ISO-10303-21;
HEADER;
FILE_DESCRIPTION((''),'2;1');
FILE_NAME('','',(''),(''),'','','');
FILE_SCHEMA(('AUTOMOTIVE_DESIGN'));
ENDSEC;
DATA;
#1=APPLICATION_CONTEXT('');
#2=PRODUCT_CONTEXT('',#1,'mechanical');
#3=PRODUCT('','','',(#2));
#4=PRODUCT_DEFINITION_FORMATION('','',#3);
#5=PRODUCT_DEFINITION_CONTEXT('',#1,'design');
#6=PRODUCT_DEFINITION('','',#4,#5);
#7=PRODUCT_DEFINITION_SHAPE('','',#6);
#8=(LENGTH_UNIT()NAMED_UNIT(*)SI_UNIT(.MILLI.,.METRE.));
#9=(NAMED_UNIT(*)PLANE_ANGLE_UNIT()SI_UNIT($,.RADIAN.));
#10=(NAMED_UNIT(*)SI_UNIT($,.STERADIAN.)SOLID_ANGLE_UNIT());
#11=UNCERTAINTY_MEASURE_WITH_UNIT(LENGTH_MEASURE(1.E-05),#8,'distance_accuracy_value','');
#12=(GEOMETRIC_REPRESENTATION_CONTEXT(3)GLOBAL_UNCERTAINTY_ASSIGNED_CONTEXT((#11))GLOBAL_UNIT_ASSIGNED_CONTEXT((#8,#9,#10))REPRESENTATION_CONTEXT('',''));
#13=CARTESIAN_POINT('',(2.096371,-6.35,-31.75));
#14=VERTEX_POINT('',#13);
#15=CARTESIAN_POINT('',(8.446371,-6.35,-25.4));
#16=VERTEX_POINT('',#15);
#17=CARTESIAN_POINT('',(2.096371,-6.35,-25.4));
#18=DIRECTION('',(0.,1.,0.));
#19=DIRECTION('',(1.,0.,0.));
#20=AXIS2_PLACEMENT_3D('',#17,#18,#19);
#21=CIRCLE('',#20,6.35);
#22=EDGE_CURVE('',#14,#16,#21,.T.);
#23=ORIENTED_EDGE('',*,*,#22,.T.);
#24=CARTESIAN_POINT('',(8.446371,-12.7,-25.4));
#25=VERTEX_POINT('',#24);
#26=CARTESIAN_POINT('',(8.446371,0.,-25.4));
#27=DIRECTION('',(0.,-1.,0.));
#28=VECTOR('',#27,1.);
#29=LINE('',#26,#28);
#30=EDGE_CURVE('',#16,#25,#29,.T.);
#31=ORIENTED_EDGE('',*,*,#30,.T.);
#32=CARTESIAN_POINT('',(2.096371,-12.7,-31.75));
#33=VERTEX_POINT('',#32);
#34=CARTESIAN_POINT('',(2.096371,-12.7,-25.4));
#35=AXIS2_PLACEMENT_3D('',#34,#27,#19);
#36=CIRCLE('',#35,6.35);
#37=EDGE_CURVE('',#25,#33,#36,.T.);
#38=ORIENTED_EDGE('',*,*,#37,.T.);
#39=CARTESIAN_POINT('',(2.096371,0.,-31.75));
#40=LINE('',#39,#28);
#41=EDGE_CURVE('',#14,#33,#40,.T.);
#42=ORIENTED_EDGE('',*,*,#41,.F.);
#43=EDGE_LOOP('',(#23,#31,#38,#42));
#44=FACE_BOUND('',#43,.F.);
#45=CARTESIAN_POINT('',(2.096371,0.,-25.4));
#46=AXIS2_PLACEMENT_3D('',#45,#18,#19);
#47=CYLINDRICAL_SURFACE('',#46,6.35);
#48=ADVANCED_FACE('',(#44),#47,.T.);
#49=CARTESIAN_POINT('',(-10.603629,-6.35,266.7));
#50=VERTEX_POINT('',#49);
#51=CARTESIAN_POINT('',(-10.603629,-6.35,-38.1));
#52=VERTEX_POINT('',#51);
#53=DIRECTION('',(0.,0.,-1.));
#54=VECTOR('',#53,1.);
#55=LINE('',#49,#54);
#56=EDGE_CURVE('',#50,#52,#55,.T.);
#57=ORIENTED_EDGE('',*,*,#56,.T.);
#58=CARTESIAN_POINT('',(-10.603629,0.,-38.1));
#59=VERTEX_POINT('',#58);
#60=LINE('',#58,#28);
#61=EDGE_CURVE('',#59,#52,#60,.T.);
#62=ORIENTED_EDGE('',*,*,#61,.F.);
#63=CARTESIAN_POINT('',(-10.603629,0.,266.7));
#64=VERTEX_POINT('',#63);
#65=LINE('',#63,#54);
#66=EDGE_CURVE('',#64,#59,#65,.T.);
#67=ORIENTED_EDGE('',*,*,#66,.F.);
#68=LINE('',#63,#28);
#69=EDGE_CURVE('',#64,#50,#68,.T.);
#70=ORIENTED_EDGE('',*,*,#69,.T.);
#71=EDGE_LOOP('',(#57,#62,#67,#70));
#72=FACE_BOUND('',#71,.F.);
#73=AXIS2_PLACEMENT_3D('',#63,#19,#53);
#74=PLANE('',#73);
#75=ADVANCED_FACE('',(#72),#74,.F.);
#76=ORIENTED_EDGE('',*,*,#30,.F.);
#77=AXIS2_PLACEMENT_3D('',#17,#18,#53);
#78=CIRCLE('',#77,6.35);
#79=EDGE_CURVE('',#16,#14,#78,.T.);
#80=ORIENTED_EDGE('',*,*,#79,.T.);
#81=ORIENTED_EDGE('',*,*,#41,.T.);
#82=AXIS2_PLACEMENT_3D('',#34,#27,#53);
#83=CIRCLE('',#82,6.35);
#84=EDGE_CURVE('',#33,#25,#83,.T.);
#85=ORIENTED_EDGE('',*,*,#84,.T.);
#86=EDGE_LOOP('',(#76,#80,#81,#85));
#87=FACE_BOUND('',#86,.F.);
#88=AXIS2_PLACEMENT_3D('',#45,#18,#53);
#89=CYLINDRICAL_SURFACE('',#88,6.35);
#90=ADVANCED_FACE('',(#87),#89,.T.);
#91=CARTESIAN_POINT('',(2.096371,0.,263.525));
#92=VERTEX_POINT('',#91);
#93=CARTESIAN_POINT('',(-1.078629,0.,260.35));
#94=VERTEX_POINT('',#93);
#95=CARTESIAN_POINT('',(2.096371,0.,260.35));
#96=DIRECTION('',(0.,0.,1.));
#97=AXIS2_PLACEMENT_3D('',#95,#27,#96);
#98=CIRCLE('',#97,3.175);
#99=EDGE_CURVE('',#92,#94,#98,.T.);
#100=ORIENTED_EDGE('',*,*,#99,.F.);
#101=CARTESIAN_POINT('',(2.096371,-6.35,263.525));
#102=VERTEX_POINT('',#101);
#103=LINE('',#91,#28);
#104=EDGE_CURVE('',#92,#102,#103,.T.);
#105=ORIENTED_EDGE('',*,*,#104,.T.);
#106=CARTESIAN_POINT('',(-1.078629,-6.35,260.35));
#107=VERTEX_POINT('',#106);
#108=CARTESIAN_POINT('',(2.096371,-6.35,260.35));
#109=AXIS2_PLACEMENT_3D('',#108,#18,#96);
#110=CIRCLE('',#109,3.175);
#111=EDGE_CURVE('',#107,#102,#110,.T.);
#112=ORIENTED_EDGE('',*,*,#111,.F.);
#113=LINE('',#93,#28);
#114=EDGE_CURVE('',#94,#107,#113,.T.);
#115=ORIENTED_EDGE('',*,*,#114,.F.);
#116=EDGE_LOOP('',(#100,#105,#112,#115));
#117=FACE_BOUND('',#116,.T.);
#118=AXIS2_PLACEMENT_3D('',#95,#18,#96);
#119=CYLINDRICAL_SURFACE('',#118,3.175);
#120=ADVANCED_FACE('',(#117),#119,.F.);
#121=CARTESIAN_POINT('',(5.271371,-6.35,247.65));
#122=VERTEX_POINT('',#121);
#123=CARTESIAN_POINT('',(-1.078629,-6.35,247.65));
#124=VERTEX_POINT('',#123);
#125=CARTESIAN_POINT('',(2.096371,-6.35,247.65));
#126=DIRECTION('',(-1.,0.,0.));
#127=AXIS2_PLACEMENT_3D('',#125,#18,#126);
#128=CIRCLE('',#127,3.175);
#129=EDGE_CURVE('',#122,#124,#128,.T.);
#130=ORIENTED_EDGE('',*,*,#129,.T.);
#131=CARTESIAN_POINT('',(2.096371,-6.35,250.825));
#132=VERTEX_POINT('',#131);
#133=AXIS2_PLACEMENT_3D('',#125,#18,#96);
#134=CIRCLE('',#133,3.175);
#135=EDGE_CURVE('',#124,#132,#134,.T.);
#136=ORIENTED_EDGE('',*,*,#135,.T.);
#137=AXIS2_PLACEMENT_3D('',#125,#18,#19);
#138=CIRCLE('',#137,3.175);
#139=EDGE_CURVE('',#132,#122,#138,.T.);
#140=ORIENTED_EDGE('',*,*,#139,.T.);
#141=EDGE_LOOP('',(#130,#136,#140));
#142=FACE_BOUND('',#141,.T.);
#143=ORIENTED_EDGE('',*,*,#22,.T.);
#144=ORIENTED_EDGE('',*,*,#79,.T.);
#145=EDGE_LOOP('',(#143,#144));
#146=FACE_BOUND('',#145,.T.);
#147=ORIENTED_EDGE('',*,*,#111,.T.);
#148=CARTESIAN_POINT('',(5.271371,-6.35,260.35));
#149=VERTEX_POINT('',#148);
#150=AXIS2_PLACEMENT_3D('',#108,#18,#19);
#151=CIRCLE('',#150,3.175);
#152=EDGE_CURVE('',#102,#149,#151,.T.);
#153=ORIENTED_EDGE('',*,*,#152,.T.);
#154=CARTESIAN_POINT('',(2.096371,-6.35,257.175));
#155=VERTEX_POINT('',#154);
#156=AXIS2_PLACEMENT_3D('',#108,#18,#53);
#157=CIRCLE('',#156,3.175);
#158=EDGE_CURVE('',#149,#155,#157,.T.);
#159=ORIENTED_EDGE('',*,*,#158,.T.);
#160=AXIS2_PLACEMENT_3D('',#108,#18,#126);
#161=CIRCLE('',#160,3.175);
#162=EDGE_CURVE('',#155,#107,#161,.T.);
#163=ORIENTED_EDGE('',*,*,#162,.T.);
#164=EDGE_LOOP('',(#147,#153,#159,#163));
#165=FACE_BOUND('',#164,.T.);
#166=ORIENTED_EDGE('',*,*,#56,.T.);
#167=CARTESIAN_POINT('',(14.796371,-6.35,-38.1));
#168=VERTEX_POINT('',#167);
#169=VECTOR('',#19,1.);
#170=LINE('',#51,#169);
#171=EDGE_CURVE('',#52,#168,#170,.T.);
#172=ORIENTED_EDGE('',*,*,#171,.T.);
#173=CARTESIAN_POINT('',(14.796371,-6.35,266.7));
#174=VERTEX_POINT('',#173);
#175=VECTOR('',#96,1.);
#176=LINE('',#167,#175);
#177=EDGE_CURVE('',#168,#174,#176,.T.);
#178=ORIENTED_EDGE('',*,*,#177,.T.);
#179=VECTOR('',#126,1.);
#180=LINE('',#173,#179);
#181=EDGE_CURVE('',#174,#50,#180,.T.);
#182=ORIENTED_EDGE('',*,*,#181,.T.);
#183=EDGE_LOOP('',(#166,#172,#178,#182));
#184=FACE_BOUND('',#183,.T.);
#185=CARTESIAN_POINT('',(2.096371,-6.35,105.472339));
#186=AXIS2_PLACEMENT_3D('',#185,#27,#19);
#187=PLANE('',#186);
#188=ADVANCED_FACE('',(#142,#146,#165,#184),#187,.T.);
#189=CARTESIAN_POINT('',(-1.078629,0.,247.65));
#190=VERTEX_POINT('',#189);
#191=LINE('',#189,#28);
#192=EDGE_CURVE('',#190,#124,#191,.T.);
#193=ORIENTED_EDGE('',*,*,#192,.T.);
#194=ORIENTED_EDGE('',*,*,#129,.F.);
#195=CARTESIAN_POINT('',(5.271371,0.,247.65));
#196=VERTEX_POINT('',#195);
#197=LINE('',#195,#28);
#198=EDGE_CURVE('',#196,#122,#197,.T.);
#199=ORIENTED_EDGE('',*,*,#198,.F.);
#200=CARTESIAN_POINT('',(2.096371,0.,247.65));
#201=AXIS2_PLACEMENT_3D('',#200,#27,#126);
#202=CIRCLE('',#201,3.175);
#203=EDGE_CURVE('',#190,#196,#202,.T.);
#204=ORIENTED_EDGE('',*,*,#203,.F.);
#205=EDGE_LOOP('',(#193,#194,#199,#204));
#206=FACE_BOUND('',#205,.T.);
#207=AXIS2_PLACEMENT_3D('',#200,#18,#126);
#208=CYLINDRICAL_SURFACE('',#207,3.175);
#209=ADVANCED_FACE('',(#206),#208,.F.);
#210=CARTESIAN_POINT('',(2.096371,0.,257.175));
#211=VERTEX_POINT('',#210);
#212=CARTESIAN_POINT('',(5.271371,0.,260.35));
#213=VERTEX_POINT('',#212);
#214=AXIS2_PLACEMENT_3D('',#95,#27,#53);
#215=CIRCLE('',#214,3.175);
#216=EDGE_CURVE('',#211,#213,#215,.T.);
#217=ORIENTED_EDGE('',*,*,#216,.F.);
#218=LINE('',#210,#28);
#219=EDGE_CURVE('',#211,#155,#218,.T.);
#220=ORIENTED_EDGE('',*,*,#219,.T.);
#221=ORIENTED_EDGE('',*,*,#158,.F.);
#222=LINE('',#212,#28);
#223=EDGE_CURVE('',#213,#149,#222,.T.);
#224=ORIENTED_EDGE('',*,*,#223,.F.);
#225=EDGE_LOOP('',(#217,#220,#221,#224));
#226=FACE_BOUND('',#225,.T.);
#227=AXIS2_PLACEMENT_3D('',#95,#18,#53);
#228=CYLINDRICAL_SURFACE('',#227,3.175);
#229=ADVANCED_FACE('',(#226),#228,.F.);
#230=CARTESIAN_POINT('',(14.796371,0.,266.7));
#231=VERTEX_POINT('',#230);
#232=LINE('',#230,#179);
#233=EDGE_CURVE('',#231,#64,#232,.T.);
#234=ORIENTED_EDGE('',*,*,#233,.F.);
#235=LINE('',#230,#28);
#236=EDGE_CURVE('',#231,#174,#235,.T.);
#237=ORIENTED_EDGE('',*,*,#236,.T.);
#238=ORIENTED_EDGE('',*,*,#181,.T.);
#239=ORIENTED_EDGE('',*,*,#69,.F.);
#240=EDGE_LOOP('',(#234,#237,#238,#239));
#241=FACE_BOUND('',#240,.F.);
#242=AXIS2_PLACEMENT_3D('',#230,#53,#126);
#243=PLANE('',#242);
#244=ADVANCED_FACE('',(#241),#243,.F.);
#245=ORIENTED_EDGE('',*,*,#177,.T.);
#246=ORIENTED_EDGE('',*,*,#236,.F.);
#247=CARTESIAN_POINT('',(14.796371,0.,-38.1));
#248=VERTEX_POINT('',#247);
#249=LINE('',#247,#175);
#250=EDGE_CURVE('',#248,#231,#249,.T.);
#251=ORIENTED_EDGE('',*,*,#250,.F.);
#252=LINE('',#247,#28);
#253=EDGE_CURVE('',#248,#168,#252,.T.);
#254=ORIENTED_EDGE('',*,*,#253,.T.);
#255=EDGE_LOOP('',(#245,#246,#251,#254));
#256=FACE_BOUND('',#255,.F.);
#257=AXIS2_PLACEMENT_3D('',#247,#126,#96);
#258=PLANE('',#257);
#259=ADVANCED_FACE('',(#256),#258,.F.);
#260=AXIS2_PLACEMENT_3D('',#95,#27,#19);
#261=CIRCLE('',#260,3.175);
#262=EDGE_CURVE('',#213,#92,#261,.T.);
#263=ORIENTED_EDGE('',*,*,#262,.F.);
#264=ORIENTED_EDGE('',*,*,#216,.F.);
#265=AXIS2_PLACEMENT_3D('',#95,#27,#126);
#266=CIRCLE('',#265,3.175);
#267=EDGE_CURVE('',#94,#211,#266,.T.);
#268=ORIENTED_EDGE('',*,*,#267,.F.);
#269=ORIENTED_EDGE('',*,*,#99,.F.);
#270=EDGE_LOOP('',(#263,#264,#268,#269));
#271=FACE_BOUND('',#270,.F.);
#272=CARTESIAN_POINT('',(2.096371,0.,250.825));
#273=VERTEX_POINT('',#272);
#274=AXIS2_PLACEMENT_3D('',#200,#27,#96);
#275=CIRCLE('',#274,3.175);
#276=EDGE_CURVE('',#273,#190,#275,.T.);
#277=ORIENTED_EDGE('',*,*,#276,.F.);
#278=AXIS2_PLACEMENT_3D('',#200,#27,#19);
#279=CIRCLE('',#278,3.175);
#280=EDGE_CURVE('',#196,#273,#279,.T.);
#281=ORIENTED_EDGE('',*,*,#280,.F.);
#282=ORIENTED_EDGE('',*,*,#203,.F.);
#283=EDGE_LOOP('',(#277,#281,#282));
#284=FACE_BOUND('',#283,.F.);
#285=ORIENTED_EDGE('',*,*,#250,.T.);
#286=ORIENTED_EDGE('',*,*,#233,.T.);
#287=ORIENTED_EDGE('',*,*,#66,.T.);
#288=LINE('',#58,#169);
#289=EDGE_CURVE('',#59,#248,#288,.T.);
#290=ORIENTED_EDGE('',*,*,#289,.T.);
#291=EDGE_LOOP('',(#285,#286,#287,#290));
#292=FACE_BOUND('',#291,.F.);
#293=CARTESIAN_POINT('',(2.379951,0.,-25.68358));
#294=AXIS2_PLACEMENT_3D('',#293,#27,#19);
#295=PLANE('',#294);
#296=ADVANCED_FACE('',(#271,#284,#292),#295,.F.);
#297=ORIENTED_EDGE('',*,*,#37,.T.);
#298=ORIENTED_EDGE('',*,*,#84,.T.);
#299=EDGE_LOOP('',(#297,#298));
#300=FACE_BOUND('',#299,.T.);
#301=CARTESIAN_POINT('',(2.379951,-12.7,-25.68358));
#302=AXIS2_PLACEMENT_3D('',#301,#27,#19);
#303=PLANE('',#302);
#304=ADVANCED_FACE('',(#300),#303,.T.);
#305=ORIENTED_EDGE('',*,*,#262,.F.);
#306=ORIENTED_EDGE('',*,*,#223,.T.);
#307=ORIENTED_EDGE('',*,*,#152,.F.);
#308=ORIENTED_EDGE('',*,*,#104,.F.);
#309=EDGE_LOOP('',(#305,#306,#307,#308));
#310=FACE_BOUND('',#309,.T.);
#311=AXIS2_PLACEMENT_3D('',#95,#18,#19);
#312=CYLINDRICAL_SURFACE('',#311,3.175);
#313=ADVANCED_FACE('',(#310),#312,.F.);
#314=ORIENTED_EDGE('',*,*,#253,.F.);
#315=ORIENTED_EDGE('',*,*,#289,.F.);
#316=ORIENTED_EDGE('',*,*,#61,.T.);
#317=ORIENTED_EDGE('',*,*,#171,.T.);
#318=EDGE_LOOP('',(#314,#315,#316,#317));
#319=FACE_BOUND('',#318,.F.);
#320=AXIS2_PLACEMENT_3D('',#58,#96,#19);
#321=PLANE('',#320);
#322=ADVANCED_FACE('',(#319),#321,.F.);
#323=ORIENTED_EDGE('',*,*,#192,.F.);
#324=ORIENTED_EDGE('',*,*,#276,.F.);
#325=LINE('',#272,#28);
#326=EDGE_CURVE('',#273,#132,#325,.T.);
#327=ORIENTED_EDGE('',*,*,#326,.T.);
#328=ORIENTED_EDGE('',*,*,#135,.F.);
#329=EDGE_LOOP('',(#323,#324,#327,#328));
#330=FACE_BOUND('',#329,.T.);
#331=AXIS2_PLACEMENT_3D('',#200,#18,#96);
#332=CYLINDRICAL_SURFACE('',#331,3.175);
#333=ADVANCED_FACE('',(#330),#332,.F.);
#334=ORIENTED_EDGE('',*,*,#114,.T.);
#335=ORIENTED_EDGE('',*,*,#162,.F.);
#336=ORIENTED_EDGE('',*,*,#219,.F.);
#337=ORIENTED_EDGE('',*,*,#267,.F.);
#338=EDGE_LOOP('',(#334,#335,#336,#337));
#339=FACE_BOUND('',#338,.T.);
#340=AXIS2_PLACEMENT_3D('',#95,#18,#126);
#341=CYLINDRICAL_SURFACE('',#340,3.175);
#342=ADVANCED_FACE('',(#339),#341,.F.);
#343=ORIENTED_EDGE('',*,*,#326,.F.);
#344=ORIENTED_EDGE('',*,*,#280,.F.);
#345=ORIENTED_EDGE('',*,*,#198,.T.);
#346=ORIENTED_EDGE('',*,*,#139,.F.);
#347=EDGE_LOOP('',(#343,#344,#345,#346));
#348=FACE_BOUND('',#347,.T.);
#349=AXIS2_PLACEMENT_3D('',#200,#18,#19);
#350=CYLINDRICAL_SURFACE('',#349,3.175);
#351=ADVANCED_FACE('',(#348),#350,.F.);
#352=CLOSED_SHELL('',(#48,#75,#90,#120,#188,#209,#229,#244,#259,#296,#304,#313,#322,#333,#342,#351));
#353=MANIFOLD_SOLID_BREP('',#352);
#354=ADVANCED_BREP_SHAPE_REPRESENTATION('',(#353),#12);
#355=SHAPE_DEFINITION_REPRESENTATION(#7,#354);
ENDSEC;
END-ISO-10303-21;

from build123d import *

# Parameters (mm, degrees)
F1_DEPTH = 6.35
F2_DEPTH = 12.7
F3_DEPTH = 24.638


with BuildPart() as f1:
    # F0 (on Front) → F1 (new body)
    with BuildSketch(Plane.XZ):
        with BuildLine():
            Line((-1.0786289811, 247.65), (-10.6036289811, 247.65))
            Line((-10.6036289811, 247.65), (-10.6036289811, -38.1))
            Line((-10.6036289811, -38.1), (2.0963710189, -38.1))
            Line((2.0963710189, -38.1), (14.7963710189, -38.1))
            Line((14.7963710189, -38.1), (14.7963710189, 247.65))
            Line((14.7963710189, 247.65), (5.2713710189, 247.65))
            ThreePointArc((5.2713710189, 247.65), (2.0963710189, 244.475), (-1.0786289811, 247.65))
        make_face()
        with BuildLine():
            ThreePointArc((8.4463710189, -25.4), (6.5864990794, -29.8901280605), (2.0963710189, -31.75))
            ThreePointArc((2.0963710189, -31.75), (-2.3937570416, -20.9098719395), (8.4463710189, -25.4))
        make_face(mode=Mode.SUBTRACT)
        with BuildLine():
            Line((-1.0786289811, 260.35), (-10.6036289811, 260.35))
            Line((-10.6036289811, 260.35), (-10.6036289811, 247.65))
            Line((-10.6036289811, 247.65), (-1.0786289811, 247.65))
            ThreePointArc((-1.0786289811, 247.65), (-0.1486930114, 249.8950640303), (2.0963710189, 250.825))
            Line((2.0963710189, 250.825), (2.0963710189, 257.175))
            ThreePointArc((2.0963710189, 257.175), (-0.1486930114, 258.1049359697), (-1.0786289811, 260.35))
        make_face()
        with BuildLine():
            Line((14.7963710189, 247.65), (14.7963710189, 260.35))
            Line((14.7963710189, 260.35), (5.2713710189, 260.35))
            ThreePointArc((5.2713710189, 260.35), (4.3414350492, 258.1049359697), (2.0963710189, 257.175))
            Line((2.0963710189, 257.175), (2.0963710189, 250.825))
            ThreePointArc((2.0963710189, 250.825), (4.3414350492, 249.8950640303), (5.2713710189, 247.65))
            Line((5.2713710189, 247.65), (14.7963710189, 247.65))
        make_face()
        with BuildLine():
            ThreePointArc((8.4463710189, -25.4), (-2.3937570416, -20.9098719395), (2.0963710189, -31.75))
            ThreePointArc((2.0963710189, -31.75), (6.5864990794, -29.8901280605), (8.4463710189, -25.4))
        make_face()
        with BuildLine():
            Line((2.0963710189, 266.7), (-10.6036289811, 266.7))
            Line((-10.6036289811, 266.7), (-10.6036289811, 260.35))
            Line((-10.6036289811, 260.35), (-1.0786289811, 260.35))
            ThreePointArc((-1.0786289811, 260.35), (-0.1486930114, 262.5950640303), (2.0963710189, 263.525))
            Line((2.0963710189, 263.525), (2.0963710189, 266.7))
        make_face()
        with BuildLine():
            Line((14.7963710189, 266.7), (2.0963710189, 266.7))
            Line((2.0963710189, 266.7), (2.0963710189, 263.525))
            ThreePointArc((2.0963710189, 263.525), (4.3414350492, 262.5950640303), (5.2713710189, 260.35))
            Line((5.2713710189, 260.35), (14.7963710189, 260.35))
            Line((14.7963710189, 260.35), (14.7963710189, 266.7))
        make_face()
        with BuildLine():
            Line((2.0963710189, 247.65), (-1.0786289811, 247.65))
            ThreePointArc((-1.0786289811, 247.65), (2.0963710189, 244.475), (5.2713710189, 247.65))
            Line((5.2713710189, 247.65), (2.0963710189, 247.65))
        make_face()
        with BuildLine():
            Line((5.2713710189, 260.35), (2.0963710189, 260.35))
            Line((2.0963710189, 260.35), (2.0963710189, 257.175))
            ThreePointArc((2.0963710189, 257.175), (4.3414350492, 258.1049359697), (5.2713710189, 260.35))
        make_face()
        with BuildLine():
            ThreePointArc((2.0963710189, 250.825), (-0.1486930114, 249.8950640303), (-1.0786289811, 247.65))
            Line((-1.0786289811, 247.65), (2.0963710189, 247.65))
            Line((2.0963710189, 247.65), (2.0963710189, 250.825))
        make_face()
        with BuildLine():
            Line((2.0963710189, 260.35), (2.0963710189, 263.525))
            ThreePointArc((2.0963710189, 263.525), (-0.1486930114, 262.5950640303), (-1.0786289811, 260.35))
            Line((-1.0786289811, 260.35), (2.0963710189, 260.35))
        make_face()
        with BuildLine():
            Line((2.0963710189, 260.35), (-1.0786289811, 260.35))
            ThreePointArc((-1.0786289811, 260.35), (-0.1486930114, 258.1049359697), (2.0963710189, 257.175))
            Line((2.0963710189, 257.175), (2.0963710189, 260.35))
        make_face()
        with BuildLine():
            ThreePointArc((5.2713710189, 260.35), (4.3414350492, 262.5950640303), (2.0963710189, 263.525))
            Line((2.0963710189, 263.525), (2.0963710189, 260.35))
            Line((2.0963710189, 260.35), (5.2713710189, 260.35))
        make_face()
        with BuildLine():
            Line((2.0963710189, 250.825), (2.0963710189, 247.65))
            Line((2.0963710189, 247.65), (5.2713710189, 247.65))
            ThreePointArc((5.2713710189, 247.65), (4.3414350492, 249.8950640303), (2.0963710189, 250.825))
        make_face()
    extrude(amount=F1_DEPTH)

    # F0 (on Front) → F2 (join)
    with BuildSketch(Plane.XZ):
        with BuildLine():
            ThreePointArc((8.4463710189, -25.4), (-2.3937570416, -20.9098719395), (2.0963710189, -31.75))
            ThreePointArc((2.0963710189, -31.75), (6.5864990794, -29.8901280605), (8.4463710189, -25.4))
        make_face()
    extrude(amount=F2_DEPTH)

    # F0 (on Front) → F3 (cut)
    with BuildSketch(Plane.XZ):
        with BuildLine():
            Line((2.0963710189, 250.825), (2.0963710189, 247.65))
            Line((2.0963710189, 247.65), (5.2713710189, 247.65))
            ThreePointArc((5.2713710189, 247.65), (4.3414350492, 249.8950640303), (2.0963710189, 250.825))
        make_face()
        with BuildLine():
            ThreePointArc((2.0963710189, 250.825), (-0.1486930114, 249.8950640303), (-1.0786289811, 247.65))
            Line((-1.0786289811, 247.65), (2.0963710189, 247.65))
            Line((2.0963710189, 247.65), (2.0963710189, 250.825))
        make_face()
        with BuildLine():
            Line((2.0963710189, 247.65), (-1.0786289811, 247.65))
            ThreePointArc((-1.0786289811, 247.65), (2.0963710189, 244.475), (5.2713710189, 247.65))
            Line((5.2713710189, 247.65), (2.0963710189, 247.65))
        make_face()
        with BuildLine():
            ThreePointArc((5.2713710189, 260.35), (4.3414350492, 262.5950640303), (2.0963710189, 263.525))
            Line((2.0963710189, 263.525), (2.0963710189, 260.35))
            Line((2.0963710189, 260.35), (5.2713710189, 260.35))
        make_face()
        with BuildLine():
            Line((2.0963710189, 260.35), (2.0963710189, 263.525))
            ThreePointArc((2.0963710189, 263.525), (-0.1486930114, 262.5950640303), (-1.0786289811, 260.35))
            Line((-1.0786289811, 260.35), (2.0963710189, 260.35))
        make_face()
        with BuildLine():
            Line((2.0963710189, 260.35), (-1.0786289811, 260.35))
            ThreePointArc((-1.0786289811, 260.35), (-0.1486930114, 258.1049359697), (2.0963710189, 257.175))
            Line((2.0963710189, 257.175), (2.0963710189, 260.35))
        make_face()
        with BuildLine():
            Line((5.2713710189, 260.35), (2.0963710189, 260.35))
            Line((2.0963710189, 260.35), (2.0963710189, 257.175))
            ThreePointArc((2.0963710189, 257.175), (4.3414350492, 258.1049359697), (5.2713710189, 260.35))
        make_face()
    extrude(amount=F3_DEPTH, mode=Mode.SUBTRACT)


solid = f1.part
